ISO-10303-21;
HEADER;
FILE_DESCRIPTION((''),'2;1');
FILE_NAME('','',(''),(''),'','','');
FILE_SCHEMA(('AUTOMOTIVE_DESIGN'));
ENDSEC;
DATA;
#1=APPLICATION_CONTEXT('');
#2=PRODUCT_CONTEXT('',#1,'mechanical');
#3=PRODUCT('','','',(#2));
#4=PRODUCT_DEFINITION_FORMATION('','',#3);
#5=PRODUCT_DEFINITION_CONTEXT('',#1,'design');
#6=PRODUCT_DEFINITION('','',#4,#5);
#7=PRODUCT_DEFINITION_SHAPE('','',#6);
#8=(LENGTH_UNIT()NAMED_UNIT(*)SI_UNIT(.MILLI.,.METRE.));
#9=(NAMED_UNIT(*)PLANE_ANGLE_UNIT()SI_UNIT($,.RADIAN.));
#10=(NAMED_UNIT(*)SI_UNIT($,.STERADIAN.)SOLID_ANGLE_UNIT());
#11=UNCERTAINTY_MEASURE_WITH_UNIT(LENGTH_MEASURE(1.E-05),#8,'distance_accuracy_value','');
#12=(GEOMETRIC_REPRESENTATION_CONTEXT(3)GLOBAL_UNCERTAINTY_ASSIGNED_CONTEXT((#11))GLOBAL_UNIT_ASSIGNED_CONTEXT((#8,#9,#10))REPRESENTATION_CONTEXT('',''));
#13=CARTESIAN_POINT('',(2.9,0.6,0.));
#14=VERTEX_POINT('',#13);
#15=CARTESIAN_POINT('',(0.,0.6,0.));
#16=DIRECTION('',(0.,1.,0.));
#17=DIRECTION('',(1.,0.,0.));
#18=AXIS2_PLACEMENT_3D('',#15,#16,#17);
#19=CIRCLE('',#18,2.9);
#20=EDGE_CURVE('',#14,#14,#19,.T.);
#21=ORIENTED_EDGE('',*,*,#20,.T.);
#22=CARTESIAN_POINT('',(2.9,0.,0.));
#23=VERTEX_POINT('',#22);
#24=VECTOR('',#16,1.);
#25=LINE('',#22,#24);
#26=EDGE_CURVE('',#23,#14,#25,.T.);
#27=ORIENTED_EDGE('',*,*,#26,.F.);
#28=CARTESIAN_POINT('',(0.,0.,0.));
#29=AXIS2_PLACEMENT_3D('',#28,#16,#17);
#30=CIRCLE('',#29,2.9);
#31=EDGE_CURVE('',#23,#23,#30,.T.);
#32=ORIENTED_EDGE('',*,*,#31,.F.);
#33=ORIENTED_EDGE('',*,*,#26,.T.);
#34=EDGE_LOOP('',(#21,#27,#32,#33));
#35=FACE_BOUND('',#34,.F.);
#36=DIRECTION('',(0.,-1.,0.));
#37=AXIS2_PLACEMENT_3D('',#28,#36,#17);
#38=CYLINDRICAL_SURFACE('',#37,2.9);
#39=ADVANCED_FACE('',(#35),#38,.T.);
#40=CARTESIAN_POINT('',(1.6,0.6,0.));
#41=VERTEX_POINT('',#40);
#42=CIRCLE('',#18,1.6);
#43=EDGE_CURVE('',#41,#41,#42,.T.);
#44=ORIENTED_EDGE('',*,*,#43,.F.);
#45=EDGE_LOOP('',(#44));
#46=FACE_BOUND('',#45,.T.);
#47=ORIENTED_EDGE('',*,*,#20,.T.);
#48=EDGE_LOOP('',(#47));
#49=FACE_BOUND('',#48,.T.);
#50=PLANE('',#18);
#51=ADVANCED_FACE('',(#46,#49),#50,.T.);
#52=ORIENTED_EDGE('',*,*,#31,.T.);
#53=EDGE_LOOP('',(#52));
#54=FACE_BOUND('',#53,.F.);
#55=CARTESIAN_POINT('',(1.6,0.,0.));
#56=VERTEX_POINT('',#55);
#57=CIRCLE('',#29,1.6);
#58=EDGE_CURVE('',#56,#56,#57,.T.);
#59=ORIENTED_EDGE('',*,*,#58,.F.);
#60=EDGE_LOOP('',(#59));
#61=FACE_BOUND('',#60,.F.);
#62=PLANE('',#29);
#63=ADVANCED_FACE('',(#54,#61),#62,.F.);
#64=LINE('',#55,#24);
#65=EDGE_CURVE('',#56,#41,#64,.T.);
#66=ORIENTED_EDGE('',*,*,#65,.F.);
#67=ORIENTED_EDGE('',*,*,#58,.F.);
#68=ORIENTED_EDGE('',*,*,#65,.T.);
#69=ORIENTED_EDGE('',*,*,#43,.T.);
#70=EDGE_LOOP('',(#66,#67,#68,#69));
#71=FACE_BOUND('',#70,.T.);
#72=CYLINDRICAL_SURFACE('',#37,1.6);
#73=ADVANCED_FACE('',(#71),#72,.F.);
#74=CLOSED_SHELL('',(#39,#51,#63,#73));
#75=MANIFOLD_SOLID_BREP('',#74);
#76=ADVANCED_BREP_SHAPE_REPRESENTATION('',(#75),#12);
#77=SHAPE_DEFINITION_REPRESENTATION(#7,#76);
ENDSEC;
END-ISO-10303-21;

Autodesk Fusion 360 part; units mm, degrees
sketch "Sketch1" plane through (0, 0, 0) normal (0, 1, 0) x (1, 0, 0)
  circle A0 centre (0, 0) radius 1.6
  circle A1 centre (0, 0) radius 2.9
  dimension "d1" = 3.2
  dimension "d2" = 5.8
extrude "Extrude1" add sketch "Sketch1" along normal blind 0.6
